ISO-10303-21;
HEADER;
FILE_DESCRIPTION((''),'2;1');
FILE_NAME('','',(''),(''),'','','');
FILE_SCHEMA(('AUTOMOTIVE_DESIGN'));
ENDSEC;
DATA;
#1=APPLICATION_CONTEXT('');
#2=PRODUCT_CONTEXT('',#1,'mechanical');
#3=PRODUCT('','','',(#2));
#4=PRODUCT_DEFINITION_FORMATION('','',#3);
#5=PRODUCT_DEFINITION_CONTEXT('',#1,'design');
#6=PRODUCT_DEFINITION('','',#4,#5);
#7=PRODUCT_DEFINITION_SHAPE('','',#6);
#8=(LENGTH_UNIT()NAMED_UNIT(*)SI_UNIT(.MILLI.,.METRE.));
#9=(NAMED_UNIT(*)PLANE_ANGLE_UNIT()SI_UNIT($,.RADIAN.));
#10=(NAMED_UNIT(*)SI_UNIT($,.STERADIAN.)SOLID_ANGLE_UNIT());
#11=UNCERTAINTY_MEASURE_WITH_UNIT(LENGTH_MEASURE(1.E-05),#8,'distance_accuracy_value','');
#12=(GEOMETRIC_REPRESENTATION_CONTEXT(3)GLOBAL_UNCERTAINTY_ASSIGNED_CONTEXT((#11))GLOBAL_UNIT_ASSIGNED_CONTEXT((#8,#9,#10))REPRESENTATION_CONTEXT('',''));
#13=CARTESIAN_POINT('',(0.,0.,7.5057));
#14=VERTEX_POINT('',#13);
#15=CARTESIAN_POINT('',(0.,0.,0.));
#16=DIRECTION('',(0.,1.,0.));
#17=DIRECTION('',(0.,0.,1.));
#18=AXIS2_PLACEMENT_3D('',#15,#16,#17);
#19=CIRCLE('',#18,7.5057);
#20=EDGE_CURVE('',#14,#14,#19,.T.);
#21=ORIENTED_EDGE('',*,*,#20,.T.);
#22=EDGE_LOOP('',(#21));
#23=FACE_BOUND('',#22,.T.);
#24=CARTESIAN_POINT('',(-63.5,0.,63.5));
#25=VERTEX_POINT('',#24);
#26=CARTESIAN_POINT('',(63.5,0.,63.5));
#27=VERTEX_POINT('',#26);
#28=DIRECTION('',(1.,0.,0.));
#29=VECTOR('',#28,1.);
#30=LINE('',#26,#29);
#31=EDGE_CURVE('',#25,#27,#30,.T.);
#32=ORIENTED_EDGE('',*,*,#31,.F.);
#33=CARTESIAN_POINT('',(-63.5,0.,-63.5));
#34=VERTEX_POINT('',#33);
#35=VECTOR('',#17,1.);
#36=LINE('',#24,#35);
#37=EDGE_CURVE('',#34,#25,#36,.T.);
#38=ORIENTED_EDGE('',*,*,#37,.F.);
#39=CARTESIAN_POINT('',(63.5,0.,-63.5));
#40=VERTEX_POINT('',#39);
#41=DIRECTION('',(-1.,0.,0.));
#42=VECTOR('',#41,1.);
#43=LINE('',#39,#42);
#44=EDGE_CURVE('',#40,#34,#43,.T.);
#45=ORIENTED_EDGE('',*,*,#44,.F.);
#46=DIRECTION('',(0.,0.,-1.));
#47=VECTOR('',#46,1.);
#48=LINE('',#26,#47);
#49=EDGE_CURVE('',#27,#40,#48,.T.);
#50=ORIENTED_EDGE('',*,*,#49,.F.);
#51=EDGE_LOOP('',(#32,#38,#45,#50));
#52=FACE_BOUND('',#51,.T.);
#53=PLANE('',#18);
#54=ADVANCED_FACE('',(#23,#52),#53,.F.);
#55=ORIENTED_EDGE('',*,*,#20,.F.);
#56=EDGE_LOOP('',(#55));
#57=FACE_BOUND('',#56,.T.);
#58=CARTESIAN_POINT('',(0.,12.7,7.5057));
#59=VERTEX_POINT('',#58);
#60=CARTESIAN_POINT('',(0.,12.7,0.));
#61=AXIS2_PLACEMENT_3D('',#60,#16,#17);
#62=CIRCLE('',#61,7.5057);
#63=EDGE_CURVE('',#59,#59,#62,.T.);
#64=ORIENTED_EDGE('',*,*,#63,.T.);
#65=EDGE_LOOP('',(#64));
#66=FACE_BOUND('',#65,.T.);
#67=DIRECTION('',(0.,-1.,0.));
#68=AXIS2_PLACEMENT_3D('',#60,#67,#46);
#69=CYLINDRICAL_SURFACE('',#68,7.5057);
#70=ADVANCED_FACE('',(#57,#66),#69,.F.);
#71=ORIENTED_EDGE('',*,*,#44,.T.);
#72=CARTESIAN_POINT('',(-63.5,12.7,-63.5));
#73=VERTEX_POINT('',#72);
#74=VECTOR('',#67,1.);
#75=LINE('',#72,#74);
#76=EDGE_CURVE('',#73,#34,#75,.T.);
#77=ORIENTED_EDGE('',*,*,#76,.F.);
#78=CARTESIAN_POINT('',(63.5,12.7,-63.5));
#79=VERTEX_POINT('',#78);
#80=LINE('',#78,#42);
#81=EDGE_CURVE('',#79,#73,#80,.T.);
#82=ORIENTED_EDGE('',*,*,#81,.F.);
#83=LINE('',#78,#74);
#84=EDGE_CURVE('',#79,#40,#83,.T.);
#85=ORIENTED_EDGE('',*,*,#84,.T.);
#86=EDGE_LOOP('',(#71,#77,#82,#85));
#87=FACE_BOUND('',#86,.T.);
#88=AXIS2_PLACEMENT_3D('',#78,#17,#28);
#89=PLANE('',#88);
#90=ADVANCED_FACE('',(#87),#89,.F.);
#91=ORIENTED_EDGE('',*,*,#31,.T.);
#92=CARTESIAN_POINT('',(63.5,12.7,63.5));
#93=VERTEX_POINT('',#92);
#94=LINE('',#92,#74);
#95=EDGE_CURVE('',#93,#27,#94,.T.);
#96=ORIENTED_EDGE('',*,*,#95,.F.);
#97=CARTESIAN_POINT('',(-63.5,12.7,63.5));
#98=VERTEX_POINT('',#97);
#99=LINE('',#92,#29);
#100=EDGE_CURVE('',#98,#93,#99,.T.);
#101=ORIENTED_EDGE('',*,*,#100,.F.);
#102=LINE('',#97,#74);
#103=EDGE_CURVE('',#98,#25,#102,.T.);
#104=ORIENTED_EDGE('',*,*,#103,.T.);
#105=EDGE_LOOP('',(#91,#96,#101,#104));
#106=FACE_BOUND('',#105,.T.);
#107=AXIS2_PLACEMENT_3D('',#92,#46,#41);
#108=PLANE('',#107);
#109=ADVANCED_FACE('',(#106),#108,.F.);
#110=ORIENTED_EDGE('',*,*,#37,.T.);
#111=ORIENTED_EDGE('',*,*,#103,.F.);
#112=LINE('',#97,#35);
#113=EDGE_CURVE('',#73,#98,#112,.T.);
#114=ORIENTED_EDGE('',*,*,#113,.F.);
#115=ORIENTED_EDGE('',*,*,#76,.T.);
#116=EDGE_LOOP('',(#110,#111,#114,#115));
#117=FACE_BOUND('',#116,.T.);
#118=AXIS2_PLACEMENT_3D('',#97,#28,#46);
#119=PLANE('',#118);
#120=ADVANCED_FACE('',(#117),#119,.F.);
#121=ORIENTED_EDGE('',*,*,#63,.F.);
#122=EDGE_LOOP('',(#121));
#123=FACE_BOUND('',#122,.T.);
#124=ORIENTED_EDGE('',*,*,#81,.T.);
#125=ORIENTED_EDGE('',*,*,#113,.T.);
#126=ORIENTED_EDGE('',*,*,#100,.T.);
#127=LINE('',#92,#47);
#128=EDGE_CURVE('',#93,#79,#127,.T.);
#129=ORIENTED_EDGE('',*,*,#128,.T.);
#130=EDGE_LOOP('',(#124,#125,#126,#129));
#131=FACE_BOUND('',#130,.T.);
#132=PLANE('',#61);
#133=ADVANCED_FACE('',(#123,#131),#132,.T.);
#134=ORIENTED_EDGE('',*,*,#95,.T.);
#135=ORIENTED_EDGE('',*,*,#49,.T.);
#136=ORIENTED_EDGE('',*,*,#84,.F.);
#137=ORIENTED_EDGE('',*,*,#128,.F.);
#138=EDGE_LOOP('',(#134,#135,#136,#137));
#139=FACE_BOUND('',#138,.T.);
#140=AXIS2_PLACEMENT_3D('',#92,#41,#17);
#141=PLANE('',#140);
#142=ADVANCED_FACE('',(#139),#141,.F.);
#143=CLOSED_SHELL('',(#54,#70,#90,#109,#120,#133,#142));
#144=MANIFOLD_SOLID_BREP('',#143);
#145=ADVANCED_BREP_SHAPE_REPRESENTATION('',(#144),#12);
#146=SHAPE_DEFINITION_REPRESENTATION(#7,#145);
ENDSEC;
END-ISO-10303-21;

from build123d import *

# Parameters (mm, degrees)
SKETCH1_W           = 127
SKETCH1_H           = 127
SKETCH1_R           = 7.5057
BOSS_EXTRUDE1_DEPTH = 12.7


with BuildPart() as part:
    # Sketch1 → Boss-Extrude1 (new body)
    with BuildSketch(Plane(origin=(0, 0, 0), x_dir=(1, 0, 0), z_dir=(0, 1, 0))):
        Rectangle(SKETCH1_W, SKETCH1_H)
        with Locations(Location((0, 0, 0), (0, 0, 270))):
            Circle(SKETCH1_R, mode=Mode.SUBTRACT)
    extrude(amount=BOSS_EXTRUDE1_DEPTH)


solid = part.part
